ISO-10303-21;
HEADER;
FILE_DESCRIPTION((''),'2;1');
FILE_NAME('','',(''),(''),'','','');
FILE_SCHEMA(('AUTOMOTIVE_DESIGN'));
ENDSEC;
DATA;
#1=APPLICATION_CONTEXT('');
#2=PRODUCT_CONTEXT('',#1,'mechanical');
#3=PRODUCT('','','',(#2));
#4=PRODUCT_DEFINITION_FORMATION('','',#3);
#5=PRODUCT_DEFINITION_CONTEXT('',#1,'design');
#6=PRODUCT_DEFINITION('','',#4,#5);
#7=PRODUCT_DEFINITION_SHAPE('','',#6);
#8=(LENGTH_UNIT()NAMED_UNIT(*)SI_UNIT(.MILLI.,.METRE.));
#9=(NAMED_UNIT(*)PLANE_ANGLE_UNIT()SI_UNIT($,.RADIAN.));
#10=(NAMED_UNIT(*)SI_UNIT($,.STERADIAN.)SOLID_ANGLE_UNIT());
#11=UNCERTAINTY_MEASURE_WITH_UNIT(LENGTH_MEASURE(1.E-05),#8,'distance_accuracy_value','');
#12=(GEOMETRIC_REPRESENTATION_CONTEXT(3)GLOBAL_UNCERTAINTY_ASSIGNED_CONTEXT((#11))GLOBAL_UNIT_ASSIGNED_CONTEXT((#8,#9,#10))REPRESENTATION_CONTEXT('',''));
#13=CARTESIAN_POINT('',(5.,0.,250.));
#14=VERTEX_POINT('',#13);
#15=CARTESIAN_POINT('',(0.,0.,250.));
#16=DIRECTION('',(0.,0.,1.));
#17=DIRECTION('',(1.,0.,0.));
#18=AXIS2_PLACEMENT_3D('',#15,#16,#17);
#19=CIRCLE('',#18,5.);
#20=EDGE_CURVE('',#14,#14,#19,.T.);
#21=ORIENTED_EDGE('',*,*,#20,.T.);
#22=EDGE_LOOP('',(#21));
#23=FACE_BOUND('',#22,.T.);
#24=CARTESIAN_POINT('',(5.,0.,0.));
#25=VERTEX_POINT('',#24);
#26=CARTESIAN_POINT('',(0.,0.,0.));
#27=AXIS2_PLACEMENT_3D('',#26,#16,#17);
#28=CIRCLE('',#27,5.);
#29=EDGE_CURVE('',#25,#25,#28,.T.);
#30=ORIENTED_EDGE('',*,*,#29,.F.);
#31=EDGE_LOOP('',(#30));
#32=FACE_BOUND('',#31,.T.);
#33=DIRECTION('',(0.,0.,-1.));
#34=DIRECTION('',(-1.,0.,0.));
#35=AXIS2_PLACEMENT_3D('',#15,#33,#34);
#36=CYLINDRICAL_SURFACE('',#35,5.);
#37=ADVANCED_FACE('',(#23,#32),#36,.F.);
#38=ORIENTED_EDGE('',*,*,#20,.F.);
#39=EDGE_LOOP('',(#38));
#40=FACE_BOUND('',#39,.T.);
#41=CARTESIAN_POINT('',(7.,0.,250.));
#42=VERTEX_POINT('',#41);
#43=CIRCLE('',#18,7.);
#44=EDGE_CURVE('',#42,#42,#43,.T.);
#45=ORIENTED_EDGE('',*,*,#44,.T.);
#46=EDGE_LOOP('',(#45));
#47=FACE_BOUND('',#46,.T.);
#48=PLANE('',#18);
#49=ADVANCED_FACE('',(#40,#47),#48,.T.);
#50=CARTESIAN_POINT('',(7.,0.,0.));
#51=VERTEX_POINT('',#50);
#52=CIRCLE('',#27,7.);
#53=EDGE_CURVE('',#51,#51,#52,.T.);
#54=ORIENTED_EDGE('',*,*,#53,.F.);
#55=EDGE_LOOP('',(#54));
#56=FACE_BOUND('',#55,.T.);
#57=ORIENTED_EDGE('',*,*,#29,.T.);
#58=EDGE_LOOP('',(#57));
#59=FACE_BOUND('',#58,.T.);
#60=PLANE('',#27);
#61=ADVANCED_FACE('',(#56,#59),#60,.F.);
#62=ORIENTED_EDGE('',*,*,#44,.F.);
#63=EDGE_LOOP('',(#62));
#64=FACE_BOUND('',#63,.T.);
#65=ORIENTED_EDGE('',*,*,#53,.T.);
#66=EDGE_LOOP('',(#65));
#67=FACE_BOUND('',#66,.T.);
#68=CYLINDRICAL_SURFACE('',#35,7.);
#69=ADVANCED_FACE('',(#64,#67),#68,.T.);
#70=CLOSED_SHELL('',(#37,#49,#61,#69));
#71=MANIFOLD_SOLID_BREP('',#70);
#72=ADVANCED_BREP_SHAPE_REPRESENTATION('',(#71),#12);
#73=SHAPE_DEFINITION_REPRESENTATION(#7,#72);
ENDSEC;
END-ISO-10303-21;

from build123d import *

# Parameters (mm, degrees)
SZKIC1_R                    = 7
SZKIC1_R_2                  = 5
DODANIE_WYCI_GNI_CIE1_DEPTH = 250


with BuildPart() as part:
    # Szkic1 → Dodanie-wyciągnięcie1 (new body)
    with BuildSketch(Plane.XY):
        Circle(SZKIC1_R)
        Circle(SZKIC1_R_2, mode=Mode.SUBTRACT)
    extrude(amount=DODANIE_WYCI_GNI_CIE1_DEPTH)


solid = part.part
